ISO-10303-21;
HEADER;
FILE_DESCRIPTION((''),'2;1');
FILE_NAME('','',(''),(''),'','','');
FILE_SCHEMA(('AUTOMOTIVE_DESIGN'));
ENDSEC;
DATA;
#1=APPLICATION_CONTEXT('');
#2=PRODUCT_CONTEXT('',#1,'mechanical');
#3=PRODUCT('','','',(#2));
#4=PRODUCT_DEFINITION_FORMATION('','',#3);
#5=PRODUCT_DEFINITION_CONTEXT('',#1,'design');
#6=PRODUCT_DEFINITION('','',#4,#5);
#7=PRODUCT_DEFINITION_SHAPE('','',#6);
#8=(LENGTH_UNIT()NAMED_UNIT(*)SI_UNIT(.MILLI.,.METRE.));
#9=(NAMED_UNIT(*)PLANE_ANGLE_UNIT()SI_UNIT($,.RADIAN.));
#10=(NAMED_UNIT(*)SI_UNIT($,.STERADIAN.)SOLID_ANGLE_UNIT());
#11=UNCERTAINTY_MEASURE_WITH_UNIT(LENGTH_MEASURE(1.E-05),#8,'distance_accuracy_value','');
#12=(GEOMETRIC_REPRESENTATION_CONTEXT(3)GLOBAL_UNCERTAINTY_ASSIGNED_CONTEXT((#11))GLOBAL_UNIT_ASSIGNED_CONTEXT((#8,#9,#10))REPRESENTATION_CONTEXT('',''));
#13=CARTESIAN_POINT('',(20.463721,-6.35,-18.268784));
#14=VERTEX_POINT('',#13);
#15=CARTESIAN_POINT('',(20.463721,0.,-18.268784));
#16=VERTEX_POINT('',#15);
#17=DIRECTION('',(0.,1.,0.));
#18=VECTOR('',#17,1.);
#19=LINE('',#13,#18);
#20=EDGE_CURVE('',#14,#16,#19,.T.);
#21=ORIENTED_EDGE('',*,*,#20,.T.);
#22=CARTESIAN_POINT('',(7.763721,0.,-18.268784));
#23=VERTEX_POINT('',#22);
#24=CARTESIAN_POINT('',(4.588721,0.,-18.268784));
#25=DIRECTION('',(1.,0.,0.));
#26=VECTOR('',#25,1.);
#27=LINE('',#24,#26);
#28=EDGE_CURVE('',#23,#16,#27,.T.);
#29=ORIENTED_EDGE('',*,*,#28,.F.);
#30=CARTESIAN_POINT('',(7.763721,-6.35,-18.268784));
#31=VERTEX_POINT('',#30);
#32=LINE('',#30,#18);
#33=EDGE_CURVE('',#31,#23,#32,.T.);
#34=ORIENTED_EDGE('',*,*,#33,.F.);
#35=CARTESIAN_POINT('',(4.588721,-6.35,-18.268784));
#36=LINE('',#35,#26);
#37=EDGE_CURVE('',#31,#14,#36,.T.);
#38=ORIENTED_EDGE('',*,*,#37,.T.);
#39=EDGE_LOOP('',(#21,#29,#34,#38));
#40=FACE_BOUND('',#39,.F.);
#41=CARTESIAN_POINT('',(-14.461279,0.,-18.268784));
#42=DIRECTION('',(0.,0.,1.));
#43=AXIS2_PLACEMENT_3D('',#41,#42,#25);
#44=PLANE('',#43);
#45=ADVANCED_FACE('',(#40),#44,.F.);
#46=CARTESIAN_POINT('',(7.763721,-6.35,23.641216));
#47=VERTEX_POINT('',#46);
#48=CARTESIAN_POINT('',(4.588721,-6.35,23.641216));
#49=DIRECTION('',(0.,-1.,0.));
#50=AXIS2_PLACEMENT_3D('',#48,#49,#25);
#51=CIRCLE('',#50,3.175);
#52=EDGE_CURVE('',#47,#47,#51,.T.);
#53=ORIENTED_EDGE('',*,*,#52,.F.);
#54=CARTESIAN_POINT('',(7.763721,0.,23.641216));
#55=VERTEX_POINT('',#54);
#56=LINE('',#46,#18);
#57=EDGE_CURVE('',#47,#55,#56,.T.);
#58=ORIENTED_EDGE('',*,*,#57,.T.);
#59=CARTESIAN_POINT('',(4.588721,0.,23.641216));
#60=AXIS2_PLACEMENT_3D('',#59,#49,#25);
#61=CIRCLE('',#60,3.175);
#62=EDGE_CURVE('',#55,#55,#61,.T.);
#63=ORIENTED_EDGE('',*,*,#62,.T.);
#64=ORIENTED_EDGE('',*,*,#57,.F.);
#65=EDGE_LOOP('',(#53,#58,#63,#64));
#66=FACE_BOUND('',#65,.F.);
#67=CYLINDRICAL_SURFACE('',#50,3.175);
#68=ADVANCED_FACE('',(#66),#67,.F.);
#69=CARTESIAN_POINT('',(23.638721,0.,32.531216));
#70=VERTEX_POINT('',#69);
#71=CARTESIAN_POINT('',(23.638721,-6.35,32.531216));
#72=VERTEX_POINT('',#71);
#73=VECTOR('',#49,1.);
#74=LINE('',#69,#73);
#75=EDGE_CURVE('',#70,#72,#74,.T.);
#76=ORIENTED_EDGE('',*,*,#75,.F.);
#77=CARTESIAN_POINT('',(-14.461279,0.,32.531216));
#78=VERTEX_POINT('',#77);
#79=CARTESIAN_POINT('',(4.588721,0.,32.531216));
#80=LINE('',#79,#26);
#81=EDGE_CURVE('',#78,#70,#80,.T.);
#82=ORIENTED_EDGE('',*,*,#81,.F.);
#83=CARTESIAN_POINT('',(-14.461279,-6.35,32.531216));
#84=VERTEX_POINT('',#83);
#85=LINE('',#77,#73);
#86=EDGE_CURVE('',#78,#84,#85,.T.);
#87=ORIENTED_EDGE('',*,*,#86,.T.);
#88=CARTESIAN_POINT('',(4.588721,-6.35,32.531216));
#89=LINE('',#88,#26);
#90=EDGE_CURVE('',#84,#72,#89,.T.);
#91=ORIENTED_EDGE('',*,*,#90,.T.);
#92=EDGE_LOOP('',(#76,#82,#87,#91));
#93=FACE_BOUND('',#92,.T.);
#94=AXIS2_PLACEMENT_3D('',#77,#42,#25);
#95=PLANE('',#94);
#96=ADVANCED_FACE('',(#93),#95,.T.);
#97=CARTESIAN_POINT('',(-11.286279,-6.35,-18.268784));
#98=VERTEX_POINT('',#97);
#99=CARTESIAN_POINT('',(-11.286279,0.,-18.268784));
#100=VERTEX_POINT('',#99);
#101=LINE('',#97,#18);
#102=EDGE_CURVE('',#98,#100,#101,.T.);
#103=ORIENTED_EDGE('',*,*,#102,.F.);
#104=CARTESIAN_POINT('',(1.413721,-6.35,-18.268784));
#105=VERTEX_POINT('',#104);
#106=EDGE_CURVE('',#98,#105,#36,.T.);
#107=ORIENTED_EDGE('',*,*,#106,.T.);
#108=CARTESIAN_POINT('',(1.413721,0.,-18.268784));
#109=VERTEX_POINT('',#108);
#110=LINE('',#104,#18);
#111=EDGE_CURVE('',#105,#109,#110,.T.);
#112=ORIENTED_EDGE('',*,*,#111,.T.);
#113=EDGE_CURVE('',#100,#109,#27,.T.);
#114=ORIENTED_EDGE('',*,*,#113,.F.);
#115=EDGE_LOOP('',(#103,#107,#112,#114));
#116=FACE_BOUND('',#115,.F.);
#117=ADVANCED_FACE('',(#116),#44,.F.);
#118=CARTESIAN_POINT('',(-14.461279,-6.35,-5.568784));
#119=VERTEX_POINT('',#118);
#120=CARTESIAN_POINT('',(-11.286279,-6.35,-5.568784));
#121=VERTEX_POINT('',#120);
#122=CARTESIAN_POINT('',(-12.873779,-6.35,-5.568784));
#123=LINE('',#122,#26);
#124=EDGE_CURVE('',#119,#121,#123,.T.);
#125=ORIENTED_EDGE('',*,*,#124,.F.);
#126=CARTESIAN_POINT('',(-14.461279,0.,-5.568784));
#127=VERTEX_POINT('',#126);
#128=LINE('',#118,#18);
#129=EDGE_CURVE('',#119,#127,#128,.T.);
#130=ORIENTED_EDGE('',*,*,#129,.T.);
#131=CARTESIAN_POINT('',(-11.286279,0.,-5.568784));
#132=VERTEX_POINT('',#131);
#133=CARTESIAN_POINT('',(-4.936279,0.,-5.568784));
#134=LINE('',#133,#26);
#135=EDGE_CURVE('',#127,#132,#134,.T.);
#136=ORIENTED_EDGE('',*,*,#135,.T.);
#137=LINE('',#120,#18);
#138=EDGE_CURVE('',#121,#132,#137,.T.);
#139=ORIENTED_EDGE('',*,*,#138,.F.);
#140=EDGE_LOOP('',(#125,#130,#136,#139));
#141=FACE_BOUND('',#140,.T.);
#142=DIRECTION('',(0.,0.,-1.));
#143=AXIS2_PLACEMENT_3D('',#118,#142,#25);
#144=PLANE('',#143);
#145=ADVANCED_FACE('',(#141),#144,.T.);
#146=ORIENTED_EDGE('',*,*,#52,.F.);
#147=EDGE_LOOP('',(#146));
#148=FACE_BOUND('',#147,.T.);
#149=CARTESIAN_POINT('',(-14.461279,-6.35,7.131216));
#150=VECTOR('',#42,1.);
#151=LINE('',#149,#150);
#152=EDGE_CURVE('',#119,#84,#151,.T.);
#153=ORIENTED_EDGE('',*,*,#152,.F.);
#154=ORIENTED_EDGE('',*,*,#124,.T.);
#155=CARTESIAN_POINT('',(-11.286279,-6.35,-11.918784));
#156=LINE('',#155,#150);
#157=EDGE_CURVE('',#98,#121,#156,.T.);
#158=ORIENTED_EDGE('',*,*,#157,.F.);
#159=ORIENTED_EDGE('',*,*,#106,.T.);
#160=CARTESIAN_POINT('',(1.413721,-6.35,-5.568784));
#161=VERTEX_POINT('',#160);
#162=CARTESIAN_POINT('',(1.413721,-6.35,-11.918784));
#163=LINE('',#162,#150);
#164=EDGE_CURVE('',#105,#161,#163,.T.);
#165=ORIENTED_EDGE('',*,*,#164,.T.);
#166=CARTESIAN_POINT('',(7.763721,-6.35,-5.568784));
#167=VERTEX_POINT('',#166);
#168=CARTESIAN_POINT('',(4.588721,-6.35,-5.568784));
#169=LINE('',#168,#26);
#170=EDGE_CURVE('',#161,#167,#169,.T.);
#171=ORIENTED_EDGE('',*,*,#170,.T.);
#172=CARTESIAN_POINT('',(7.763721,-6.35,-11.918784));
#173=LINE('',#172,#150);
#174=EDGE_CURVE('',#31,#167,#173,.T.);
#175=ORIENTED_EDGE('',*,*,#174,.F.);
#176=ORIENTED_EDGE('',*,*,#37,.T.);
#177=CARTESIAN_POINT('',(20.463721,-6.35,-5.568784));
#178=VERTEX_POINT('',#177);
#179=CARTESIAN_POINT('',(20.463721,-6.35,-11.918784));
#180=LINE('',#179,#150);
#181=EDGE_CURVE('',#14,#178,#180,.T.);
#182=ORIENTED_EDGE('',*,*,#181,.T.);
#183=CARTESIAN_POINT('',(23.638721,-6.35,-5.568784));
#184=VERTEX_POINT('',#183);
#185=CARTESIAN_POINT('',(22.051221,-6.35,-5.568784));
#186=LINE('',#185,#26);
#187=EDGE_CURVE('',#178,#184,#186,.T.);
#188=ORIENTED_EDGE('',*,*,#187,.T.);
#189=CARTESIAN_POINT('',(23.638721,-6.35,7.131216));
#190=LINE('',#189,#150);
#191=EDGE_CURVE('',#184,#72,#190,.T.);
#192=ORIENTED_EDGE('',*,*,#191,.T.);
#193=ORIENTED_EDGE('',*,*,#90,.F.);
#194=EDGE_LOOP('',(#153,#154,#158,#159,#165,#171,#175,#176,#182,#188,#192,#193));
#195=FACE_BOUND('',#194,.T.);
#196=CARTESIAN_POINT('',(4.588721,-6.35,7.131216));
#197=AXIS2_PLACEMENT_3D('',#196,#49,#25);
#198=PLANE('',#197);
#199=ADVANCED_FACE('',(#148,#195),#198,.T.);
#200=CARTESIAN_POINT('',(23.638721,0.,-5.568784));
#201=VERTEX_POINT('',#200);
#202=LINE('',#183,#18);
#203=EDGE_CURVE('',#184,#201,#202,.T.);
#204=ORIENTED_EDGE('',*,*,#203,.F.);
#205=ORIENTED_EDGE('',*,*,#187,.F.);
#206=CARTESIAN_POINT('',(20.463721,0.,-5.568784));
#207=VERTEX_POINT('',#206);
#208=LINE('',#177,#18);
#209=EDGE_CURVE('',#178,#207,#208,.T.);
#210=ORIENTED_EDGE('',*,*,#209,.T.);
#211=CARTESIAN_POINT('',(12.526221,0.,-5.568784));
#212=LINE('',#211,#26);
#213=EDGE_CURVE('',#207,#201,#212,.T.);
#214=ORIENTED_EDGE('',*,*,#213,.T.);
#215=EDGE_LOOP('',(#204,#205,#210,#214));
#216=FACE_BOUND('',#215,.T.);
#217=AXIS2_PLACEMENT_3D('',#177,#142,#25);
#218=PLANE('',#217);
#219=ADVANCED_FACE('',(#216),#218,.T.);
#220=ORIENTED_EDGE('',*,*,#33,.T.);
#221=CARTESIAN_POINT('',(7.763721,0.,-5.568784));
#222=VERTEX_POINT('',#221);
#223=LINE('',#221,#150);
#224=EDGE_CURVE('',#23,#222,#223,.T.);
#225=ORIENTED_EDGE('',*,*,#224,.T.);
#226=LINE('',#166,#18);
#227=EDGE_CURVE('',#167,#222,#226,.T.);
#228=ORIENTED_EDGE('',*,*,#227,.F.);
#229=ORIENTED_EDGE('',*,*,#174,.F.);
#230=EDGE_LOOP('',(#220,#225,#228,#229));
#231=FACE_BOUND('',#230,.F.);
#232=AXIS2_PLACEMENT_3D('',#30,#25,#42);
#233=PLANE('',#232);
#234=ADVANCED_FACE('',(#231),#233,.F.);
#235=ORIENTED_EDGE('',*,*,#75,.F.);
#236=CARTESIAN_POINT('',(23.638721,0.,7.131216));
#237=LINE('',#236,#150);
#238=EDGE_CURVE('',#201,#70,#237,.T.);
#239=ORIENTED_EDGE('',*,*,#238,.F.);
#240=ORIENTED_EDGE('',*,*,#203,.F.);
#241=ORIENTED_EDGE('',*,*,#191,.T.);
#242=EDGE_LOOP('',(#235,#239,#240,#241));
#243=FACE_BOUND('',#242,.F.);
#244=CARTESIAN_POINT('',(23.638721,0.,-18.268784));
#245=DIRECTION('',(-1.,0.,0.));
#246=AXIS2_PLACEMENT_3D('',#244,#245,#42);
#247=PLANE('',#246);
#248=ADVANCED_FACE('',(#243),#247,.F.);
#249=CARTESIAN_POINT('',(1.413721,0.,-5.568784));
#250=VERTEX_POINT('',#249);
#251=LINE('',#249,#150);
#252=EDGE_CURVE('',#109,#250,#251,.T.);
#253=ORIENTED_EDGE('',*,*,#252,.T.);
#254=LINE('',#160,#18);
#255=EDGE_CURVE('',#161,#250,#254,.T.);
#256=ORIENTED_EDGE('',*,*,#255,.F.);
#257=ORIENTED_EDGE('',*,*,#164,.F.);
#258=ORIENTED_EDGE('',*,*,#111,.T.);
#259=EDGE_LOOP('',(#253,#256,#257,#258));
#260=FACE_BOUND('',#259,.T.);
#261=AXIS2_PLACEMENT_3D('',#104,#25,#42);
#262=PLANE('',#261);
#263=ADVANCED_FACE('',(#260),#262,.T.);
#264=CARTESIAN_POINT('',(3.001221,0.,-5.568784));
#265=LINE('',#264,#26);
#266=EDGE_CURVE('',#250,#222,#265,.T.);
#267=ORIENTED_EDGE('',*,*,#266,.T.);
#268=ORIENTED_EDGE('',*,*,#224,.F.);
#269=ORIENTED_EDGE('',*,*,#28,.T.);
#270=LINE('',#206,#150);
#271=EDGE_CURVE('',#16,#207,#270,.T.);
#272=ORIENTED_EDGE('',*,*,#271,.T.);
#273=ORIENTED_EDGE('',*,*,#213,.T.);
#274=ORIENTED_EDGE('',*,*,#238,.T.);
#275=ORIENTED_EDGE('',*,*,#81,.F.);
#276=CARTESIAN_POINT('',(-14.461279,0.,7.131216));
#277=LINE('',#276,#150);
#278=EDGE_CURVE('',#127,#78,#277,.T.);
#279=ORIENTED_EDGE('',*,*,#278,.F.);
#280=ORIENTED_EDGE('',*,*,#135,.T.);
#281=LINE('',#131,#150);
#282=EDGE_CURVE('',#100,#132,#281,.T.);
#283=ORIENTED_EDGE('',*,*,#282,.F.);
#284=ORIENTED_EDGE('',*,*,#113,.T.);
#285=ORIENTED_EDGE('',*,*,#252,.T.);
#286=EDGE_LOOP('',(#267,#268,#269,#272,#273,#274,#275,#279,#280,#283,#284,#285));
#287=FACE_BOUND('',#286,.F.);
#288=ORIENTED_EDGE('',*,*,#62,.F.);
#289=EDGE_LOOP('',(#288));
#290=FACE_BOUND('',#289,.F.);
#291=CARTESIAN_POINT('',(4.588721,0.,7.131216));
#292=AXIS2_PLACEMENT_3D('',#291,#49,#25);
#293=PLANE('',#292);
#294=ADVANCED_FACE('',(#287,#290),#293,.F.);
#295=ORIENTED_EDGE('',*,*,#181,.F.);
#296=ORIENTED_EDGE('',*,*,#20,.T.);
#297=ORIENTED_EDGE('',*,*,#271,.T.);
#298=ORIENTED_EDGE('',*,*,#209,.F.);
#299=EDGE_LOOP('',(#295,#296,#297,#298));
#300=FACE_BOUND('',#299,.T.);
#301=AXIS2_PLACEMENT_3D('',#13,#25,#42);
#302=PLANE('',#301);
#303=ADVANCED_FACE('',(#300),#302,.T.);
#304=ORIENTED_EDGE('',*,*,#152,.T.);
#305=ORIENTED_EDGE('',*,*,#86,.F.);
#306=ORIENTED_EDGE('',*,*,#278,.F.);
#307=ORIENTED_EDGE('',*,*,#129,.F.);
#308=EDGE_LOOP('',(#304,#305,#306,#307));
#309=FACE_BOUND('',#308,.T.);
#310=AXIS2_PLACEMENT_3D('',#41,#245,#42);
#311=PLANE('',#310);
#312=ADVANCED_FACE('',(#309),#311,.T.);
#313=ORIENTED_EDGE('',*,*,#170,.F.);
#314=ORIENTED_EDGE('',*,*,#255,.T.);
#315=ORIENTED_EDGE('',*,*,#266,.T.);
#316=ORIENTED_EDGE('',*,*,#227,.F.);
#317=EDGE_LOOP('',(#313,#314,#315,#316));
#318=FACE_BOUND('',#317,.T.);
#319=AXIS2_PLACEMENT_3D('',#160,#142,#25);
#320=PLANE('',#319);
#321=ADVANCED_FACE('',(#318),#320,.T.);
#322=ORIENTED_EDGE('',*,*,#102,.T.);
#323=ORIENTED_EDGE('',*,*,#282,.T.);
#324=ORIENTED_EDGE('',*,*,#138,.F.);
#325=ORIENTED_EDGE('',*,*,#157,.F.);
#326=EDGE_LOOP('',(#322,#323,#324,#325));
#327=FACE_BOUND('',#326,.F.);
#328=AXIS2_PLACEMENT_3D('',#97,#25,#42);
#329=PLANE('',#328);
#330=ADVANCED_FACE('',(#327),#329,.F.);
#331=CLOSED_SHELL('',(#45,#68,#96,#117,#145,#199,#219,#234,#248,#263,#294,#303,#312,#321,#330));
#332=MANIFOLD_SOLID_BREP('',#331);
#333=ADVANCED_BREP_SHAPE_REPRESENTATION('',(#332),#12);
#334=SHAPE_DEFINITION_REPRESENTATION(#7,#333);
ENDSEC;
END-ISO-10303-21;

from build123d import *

# Parameters (mm, degrees)
F0_W     = 38.1
F0_H     = 50.8
F1_DEPTH = 6.35
F2_R     = 3.175
F3_DEPTH = 6.351
F4_W     = 3.175
F4_H     = 12.7
F5_DEPTH = 6.351
F6_W     = 6.35
F6_H     = 12.7
F7_DEPTH = 25.4


with BuildPart() as f1:
    # F0 (on Front) → F1 (new body)
    with BuildSketch(Plane.XZ):
        with Locations((4.588721, 7.131216)):
            Rectangle(F0_W, F0_H)
    extrude(amount=F1_DEPTH)

    # F2 (on face) → F3 (cut, through all)
    with BuildSketch(Plane.XZ.offset(6.35)):
        with Locations((4.588721, 23.641216)):
            Circle(F2_R)
    extrude(amount=-F3_DEPTH, mode=Mode.SUBTRACT)

    # F4 (on face) → F5 (cut, through all)
    with BuildSketch(Plane.XZ.offset(6.35)):
        with Locations((-12.873779, -11.918784)):
            Rectangle(F4_W, F4_H)
        with Locations((22.051221, -11.918784)):
            Rectangle(F4_W, F4_H)
    extrude(amount=-F5_DEPTH, mode=Mode.SUBTRACT)

    # F6 (on face) → F7 (cut)
    with BuildSketch(Plane.XZ.offset(6.35)):
        with Locations((4.588721, -11.918784)):
            Rectangle(F6_W, F6_H)
    extrude(amount=-F7_DEPTH, mode=Mode.SUBTRACT)


solid = f1.part
